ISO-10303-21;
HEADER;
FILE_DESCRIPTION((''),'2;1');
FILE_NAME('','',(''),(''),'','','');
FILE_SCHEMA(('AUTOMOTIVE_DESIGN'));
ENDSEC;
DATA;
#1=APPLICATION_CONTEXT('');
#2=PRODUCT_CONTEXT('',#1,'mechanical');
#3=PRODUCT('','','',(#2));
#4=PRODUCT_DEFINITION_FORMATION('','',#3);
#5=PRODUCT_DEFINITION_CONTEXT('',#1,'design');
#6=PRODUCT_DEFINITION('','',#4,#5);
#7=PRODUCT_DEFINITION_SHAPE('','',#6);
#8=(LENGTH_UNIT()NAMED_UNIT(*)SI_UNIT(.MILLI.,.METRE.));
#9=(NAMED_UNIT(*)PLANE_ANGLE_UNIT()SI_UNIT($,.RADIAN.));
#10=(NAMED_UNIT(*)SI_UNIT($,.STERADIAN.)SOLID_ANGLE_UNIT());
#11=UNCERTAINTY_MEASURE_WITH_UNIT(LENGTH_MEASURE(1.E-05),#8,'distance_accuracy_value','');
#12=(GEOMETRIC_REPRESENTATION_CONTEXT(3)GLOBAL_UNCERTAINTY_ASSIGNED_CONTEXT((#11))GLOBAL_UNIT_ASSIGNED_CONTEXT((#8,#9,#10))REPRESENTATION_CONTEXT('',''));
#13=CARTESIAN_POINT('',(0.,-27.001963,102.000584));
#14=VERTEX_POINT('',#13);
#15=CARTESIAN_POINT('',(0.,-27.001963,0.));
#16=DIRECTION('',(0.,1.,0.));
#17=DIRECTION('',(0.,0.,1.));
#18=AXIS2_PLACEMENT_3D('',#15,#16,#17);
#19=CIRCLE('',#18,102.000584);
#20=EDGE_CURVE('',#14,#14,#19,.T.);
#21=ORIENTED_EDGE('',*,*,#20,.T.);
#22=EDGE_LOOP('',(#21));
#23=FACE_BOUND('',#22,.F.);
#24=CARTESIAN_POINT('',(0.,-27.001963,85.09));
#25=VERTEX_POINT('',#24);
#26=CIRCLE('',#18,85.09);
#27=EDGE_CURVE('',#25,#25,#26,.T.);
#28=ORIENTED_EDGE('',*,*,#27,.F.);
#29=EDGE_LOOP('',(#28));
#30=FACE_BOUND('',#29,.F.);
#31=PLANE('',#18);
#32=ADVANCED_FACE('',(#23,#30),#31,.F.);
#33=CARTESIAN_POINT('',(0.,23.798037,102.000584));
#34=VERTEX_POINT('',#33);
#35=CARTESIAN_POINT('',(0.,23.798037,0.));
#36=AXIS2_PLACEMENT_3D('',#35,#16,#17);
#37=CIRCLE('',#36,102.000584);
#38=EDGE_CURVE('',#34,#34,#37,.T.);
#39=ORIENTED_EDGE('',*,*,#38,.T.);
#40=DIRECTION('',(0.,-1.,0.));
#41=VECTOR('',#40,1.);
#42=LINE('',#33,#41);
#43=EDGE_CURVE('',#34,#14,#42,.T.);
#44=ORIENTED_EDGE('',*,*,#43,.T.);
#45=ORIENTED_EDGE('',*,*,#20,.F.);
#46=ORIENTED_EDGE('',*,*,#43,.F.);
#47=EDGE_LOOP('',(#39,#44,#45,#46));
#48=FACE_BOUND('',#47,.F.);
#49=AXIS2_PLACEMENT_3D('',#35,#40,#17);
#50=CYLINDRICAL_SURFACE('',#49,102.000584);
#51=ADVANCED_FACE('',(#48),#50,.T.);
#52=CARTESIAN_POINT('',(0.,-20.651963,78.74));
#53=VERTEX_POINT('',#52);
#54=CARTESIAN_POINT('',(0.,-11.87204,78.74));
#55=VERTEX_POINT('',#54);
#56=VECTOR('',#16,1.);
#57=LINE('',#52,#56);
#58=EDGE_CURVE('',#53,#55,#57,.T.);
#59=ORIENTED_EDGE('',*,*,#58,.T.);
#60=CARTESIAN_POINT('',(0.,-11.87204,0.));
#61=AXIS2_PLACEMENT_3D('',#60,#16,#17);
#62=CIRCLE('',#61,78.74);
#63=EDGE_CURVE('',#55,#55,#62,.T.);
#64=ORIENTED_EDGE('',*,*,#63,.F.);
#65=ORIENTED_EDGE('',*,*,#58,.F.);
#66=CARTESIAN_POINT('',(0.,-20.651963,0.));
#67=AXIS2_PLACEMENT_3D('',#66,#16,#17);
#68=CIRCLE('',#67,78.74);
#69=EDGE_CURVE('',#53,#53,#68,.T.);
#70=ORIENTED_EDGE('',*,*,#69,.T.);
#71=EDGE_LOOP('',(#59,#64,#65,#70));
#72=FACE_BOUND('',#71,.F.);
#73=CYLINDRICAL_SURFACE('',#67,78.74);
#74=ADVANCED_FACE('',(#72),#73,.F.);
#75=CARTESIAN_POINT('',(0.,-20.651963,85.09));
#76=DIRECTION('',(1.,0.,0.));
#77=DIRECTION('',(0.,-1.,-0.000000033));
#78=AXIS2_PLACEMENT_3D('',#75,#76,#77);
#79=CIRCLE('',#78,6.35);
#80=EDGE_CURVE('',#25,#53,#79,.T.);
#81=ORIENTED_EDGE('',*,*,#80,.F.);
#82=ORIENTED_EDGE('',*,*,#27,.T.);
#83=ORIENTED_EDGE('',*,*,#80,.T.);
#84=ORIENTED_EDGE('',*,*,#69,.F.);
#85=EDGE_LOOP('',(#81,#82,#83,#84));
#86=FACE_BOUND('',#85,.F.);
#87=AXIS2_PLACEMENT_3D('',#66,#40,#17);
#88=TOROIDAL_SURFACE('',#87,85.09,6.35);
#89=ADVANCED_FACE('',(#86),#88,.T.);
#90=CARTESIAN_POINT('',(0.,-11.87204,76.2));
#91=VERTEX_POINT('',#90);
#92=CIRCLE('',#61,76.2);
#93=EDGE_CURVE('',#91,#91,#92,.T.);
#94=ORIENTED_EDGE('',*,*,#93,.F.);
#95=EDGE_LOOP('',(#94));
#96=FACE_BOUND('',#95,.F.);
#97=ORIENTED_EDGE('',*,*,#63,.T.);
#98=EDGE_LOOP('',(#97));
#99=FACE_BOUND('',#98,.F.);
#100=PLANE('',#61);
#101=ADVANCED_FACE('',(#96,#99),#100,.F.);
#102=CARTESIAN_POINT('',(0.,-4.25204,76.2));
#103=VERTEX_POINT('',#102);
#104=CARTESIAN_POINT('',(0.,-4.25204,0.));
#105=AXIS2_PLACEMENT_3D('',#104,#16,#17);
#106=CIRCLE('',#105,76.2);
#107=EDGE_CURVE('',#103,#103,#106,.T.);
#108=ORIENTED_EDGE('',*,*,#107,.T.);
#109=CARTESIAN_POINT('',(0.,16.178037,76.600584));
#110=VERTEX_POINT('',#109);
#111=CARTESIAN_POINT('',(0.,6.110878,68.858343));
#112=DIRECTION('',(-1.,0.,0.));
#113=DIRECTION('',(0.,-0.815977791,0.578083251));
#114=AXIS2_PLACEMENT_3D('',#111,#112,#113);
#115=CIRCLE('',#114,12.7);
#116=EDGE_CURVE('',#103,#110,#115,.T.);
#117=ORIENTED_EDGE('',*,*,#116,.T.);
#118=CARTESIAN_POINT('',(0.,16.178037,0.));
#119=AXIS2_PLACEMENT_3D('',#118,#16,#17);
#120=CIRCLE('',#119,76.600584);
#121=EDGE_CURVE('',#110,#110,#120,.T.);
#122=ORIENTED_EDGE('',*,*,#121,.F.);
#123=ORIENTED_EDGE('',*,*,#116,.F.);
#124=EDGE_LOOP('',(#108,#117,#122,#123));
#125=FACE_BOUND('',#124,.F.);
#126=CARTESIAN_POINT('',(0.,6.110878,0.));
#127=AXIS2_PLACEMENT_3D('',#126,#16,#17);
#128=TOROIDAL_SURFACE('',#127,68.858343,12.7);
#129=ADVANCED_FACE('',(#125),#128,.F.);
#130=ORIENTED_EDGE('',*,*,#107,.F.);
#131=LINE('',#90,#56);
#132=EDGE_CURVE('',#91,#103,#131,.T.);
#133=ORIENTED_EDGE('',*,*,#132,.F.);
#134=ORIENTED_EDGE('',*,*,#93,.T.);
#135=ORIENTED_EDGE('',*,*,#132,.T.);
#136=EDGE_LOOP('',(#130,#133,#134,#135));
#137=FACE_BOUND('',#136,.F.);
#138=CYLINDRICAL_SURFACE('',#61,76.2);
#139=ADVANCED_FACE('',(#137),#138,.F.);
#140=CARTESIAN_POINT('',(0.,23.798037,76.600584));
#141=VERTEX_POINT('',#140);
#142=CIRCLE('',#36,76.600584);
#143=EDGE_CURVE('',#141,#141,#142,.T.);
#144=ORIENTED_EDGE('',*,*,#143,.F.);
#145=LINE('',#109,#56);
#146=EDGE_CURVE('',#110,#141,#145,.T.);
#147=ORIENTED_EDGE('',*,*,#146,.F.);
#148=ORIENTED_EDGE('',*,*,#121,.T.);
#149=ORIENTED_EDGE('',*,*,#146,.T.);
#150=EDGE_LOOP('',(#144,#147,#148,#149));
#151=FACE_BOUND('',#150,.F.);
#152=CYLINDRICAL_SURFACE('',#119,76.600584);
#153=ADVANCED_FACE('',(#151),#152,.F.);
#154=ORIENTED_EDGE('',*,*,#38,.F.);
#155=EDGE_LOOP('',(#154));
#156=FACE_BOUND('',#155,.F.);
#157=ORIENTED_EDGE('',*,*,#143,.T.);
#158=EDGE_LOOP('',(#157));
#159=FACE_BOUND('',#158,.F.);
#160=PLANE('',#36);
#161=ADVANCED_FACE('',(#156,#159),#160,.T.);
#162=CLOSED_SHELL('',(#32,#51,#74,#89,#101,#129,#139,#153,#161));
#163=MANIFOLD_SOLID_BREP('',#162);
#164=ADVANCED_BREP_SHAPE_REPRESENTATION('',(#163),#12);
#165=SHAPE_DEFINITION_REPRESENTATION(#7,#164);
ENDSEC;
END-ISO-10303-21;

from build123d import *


with BuildPart() as f1:
    # F0 (on Right) → F1 (revolve)
    with BuildSketch(Plane.YZ):
        with BuildLine():
            Line((23.798037, 102.000584), (-27.001963, 102.000584))
            Line((-27.001963, 102.000584), (-27.001963, 85.09))
            ThreePointArc((-27.001963, 85.09), (-25.142091, 80.599872), (-20.651963, 78.74))
            Line((-20.651963, 78.74), (-11.87204, 78.74))
            Line((-11.87204, 78.74), (-11.87204, 76.2))
            Line((-11.87204, 76.2), (-4.25204, 76.2))
            ThreePointArc((-4.25204, 76.2), (5.861909, 81.555902), (16.178037, 76.600584))
            Line((16.178037, 76.600584), (23.798037, 76.600584))
            Line((23.798037, 76.600584), (23.798037, 102.000584))
        make_face()
    revolve(axis=Axis((0, -2.832543, 0), (0, 1, 0)))


solid = f1.part
